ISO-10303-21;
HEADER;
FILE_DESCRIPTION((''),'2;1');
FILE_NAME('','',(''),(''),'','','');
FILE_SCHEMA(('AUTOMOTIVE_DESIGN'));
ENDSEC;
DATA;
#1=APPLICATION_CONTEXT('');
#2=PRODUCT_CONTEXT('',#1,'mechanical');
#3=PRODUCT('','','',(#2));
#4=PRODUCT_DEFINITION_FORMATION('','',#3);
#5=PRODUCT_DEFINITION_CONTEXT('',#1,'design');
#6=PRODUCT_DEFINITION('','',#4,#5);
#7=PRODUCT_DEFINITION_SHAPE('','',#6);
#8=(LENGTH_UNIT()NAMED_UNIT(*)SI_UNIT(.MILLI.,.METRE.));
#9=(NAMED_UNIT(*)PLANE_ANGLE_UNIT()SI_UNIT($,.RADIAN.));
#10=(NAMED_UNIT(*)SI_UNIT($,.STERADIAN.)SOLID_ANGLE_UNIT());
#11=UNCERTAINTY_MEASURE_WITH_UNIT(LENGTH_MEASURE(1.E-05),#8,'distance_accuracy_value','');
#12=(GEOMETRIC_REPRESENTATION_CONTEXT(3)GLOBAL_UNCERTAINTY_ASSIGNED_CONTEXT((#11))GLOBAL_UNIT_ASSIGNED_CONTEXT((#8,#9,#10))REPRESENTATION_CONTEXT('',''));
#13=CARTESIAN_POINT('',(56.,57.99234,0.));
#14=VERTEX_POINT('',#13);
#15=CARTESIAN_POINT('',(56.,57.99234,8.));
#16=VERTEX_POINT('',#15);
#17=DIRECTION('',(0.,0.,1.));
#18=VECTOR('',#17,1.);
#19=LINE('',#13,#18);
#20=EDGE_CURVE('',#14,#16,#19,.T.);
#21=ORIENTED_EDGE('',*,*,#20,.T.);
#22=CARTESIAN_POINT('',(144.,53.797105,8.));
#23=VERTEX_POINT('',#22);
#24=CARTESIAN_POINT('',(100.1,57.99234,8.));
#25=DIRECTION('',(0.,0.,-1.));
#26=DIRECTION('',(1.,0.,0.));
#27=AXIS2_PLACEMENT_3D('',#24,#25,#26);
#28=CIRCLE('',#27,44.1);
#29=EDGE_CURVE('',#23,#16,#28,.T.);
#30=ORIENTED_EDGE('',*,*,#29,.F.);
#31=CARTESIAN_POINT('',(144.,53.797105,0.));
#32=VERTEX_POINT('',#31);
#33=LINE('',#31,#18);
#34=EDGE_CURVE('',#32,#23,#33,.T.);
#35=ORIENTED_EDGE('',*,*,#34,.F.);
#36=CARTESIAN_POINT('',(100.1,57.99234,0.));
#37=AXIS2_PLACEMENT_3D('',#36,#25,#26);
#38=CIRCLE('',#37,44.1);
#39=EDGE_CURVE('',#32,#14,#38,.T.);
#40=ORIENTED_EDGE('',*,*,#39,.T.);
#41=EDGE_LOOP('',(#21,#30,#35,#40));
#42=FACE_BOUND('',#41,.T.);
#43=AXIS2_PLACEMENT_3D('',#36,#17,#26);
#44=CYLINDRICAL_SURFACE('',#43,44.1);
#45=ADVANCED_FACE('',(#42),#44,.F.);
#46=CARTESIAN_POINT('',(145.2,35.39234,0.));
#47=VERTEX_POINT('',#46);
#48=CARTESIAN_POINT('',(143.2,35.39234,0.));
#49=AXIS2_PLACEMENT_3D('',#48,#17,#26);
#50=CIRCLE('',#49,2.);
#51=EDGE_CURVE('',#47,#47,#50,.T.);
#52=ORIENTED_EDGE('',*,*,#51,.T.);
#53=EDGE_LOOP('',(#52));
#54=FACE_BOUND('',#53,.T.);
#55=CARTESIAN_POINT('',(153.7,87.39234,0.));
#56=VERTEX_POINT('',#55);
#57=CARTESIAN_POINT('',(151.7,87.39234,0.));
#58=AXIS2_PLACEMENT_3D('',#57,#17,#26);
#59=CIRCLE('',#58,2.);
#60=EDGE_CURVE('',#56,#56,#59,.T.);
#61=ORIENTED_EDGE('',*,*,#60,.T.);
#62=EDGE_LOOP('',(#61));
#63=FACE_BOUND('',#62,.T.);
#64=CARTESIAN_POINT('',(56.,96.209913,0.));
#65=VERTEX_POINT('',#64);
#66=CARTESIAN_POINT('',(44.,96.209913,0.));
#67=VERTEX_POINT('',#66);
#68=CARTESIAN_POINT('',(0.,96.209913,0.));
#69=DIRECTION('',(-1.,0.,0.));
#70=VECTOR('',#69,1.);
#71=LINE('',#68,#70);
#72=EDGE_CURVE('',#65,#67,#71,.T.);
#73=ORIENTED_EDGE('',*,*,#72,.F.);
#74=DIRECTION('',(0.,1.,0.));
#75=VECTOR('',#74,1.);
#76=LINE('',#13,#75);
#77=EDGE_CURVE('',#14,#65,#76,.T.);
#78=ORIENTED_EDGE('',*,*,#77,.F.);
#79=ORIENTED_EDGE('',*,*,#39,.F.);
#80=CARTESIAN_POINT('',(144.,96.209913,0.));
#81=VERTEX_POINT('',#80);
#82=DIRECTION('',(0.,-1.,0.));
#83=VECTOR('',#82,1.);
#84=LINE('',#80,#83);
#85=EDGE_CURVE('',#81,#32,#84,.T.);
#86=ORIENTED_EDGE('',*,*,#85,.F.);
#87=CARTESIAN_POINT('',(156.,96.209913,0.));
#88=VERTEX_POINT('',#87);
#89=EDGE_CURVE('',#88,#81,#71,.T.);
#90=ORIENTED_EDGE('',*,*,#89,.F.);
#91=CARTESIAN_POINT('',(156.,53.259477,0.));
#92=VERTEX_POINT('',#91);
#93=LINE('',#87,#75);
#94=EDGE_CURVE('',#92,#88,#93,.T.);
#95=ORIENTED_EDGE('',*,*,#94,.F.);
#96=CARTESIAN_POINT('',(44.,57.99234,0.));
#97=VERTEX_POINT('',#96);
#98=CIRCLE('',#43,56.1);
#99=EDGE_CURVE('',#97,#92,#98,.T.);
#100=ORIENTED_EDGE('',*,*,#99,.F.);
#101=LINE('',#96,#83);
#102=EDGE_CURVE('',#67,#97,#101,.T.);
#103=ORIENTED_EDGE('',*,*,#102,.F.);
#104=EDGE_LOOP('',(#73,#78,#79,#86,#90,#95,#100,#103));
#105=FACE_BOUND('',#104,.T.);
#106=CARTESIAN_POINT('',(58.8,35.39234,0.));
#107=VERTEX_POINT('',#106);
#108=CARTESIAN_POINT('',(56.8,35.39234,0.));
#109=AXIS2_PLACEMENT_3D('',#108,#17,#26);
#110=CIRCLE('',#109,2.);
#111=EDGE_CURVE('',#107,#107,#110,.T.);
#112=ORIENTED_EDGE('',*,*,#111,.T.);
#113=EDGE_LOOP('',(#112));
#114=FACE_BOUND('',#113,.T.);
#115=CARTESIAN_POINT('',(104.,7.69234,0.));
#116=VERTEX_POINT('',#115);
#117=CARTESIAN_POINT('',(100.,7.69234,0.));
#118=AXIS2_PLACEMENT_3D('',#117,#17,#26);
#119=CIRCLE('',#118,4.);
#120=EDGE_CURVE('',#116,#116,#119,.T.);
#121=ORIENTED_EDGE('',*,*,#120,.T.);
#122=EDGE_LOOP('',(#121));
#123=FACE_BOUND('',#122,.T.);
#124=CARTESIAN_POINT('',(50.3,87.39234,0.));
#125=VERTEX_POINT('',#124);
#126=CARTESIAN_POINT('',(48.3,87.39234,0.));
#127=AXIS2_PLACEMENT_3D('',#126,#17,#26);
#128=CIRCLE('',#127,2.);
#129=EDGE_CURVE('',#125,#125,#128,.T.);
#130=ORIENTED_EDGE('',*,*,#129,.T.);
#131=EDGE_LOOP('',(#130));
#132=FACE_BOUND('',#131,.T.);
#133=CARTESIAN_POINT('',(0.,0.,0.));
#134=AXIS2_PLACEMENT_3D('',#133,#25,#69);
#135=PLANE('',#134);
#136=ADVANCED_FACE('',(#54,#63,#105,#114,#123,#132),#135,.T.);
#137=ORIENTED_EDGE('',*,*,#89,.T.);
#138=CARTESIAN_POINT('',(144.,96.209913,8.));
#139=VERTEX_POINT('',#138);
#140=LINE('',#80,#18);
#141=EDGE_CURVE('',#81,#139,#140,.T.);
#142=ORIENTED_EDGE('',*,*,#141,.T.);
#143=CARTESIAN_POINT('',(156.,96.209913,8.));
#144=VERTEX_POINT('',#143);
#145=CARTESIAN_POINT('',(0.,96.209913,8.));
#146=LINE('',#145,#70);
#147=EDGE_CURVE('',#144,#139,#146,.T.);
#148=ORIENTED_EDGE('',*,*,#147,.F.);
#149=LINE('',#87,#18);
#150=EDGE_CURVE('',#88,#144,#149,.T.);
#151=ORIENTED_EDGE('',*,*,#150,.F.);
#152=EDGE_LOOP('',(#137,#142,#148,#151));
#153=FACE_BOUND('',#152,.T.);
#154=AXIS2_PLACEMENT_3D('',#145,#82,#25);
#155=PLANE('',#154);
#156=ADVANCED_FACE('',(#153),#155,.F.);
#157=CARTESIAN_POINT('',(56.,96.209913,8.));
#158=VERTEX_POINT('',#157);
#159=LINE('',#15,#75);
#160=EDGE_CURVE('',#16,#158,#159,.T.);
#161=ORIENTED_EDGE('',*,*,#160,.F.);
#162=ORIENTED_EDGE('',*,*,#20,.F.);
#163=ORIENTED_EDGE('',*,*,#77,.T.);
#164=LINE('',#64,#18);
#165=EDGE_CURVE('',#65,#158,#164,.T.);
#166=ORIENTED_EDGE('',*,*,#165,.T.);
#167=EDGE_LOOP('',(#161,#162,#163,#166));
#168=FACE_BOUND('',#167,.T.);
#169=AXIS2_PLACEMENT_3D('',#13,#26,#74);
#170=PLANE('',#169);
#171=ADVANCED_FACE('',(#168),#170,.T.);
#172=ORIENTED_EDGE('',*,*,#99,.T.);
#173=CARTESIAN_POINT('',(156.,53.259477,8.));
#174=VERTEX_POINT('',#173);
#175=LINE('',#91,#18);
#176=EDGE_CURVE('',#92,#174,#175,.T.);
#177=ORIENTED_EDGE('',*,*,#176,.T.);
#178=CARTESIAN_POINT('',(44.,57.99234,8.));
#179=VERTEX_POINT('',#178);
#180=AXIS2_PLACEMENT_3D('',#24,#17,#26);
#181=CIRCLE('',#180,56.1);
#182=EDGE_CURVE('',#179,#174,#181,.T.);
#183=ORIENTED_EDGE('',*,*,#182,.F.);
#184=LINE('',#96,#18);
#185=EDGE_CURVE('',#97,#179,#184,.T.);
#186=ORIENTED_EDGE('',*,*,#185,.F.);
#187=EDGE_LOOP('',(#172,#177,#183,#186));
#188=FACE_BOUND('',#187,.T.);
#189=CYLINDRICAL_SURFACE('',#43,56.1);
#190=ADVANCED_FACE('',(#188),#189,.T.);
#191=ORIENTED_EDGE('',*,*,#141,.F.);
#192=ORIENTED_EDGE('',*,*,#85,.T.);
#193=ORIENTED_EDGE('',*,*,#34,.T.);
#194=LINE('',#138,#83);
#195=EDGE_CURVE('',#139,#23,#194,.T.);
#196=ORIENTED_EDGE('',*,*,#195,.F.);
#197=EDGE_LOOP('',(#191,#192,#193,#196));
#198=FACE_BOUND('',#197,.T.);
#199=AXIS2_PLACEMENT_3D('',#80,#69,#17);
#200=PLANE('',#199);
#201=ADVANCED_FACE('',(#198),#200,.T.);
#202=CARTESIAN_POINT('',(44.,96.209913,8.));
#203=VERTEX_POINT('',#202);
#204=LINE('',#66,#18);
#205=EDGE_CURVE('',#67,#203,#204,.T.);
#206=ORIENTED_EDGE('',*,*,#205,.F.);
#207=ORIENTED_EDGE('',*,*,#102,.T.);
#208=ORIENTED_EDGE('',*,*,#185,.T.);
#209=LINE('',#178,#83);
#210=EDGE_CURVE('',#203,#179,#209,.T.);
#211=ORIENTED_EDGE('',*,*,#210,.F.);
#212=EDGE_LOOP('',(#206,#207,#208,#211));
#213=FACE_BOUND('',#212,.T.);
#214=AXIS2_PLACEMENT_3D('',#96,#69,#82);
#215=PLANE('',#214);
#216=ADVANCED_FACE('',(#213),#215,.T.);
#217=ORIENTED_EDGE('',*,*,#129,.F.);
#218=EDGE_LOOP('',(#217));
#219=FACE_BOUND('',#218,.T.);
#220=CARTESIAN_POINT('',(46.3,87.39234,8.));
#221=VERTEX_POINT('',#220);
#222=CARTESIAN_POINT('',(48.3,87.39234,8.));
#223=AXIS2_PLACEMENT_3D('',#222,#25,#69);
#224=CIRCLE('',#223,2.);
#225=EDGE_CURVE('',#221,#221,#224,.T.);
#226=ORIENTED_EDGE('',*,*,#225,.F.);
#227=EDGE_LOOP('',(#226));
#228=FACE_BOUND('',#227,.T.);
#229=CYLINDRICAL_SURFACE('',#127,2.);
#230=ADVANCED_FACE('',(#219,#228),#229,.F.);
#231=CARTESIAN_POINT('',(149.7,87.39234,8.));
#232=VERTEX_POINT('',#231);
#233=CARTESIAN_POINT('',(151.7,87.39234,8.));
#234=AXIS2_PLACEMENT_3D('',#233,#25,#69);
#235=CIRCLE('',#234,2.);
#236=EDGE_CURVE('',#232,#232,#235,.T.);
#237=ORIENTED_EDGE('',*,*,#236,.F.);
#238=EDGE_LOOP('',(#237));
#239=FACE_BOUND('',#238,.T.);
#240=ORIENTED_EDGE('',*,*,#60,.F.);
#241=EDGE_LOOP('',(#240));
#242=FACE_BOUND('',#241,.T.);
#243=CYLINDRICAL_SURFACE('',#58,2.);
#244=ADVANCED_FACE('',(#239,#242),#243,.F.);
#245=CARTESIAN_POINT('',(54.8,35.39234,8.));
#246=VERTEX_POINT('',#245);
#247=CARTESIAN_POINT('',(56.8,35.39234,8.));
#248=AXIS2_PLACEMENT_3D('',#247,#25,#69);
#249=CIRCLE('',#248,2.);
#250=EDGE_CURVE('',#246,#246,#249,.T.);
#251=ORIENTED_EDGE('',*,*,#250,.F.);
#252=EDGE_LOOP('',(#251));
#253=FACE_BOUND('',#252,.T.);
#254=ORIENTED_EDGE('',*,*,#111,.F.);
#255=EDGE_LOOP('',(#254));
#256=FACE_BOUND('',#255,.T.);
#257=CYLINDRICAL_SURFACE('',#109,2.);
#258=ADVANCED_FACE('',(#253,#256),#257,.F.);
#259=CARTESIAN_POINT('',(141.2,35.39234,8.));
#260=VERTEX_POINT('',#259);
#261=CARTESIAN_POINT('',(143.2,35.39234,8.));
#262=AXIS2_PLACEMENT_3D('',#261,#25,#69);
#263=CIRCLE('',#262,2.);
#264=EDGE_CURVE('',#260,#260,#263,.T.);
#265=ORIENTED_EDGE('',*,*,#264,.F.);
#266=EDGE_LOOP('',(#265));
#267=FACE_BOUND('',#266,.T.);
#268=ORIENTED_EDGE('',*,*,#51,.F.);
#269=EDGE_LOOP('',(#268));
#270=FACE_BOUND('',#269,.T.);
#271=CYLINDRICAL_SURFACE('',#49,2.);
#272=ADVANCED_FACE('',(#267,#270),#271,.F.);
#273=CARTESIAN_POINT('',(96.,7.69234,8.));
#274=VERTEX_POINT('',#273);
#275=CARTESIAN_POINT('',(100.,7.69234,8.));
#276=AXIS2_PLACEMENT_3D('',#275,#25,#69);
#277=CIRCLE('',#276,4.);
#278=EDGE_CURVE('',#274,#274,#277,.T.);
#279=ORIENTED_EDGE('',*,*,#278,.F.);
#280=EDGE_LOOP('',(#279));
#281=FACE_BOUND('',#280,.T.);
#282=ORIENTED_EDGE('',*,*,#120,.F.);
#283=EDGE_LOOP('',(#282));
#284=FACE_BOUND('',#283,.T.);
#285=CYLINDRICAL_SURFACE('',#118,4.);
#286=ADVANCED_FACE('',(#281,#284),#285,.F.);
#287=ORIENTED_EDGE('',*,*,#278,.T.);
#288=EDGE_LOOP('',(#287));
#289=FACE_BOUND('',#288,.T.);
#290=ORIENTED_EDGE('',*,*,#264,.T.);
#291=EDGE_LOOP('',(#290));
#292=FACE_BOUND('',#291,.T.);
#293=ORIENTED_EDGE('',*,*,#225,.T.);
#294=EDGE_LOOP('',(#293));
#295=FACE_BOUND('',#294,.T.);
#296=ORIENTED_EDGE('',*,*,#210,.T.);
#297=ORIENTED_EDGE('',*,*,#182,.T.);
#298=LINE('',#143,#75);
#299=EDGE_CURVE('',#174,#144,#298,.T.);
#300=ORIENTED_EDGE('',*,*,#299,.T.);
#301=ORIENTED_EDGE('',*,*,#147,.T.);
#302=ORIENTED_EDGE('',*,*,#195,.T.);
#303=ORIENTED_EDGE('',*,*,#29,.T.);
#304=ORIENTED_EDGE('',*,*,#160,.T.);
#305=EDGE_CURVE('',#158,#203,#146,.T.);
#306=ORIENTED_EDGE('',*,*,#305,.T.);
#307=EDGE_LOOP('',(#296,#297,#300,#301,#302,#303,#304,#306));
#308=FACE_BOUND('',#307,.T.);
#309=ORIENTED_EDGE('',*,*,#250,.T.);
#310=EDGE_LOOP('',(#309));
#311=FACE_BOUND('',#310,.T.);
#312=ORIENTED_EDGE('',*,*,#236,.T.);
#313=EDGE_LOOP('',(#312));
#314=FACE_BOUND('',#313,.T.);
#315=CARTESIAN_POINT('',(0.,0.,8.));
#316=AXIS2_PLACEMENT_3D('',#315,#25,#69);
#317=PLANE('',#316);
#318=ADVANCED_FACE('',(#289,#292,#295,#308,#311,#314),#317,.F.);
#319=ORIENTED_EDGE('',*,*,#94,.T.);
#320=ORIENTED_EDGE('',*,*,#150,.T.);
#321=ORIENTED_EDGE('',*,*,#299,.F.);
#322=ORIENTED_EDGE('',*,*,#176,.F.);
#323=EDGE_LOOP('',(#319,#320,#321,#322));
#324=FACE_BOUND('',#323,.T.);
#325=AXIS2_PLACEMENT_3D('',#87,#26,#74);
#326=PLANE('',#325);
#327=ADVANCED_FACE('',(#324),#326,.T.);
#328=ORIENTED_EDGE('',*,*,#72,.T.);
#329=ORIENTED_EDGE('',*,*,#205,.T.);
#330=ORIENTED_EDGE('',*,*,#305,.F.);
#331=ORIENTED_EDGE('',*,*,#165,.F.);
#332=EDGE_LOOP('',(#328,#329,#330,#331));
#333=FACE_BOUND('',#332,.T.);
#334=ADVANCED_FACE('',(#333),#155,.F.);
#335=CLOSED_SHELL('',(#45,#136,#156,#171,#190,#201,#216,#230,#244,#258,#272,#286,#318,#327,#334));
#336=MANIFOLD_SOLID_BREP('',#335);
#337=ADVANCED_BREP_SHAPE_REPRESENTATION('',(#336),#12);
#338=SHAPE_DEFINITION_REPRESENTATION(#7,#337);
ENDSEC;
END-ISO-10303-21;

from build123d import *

# Parameters (mm, degrees)
SKETCH_1_W          = 200
SKETCH_1_H          = 100
EXTRUDE_1_DEPTH     = 8
SKETCH_2_OUTSIDE_W  = 246.75
SKETCH_2_OUTSIDE_H  = 146.75
CUT_EXTRUDE_1_DEPTH = 223.081848133
SKETCH_3_R          = 2
SKETCH_3_R_2        = 4
CUT_EXTRUDE_2_DEPTH = 184.742611471


with BuildPart() as part:
    # 草图1 → 凸台-拉伸1 (new body)
    with BuildSketch(Plane.XY):
        with Locations((100, 46.209912536)):
            Rectangle(SKETCH_1_W, SKETCH_1_H)
    extrude(amount=EXTRUDE_1_DEPTH)

    # 草图2 outside → 切除-拉伸1 (cut, through all)
    with BuildSketch(Plane.XY.offset(8)):
        with Locations((100, 46.21)):
            Rectangle(SKETCH_2_OUTSIDE_W, SKETCH_2_OUTSIDE_H)
        with BuildLine():
            Line((156, 96.209912536), (156, 53.259476571))
            ThreePointArc((156, 53.259476571), (97.731456144, 1.942362699), (44, 57.992340397))
            Line((44, 57.992340397), (44, 96.209912536))
            Line((44, 96.209912536), (56, 96.209912536))
            Line((56, 96.209912536), (56, 57.992340397))
            ThreePointArc((56, 57.992340397), (98, 13.942368774), (144, 53.797105004))
            Line((144, 53.797105004), (144, 96.209912536))
            Line((144, 96.209912536), (156, 96.209912536))
        make_face(mode=Mode.SUBTRACT)
    extrude(amount=-CUT_EXTRUDE_1_DEPTH, mode=Mode.SUBTRACT)

    # 草图3 → 切除-拉伸2 (cut, through all)
    with BuildSketch(Plane.XY.offset(13)):
        with Locations((48.3, 87.392340397)):
            Circle(SKETCH_3_R)
        with Locations((56.8, 35.392340397)):
            Circle(SKETCH_3_R)
        with Locations((143.2, 35.392340397)):
            Circle(SKETCH_3_R)
        with Locations((151.7, 87.392340397)):
            Circle(SKETCH_3_R)
        with Locations((100, 7.692340397)):
            Circle(SKETCH_3_R_2)
    extrude(amount=-CUT_EXTRUDE_2_DEPTH, mode=Mode.SUBTRACT)


solid = part.part
